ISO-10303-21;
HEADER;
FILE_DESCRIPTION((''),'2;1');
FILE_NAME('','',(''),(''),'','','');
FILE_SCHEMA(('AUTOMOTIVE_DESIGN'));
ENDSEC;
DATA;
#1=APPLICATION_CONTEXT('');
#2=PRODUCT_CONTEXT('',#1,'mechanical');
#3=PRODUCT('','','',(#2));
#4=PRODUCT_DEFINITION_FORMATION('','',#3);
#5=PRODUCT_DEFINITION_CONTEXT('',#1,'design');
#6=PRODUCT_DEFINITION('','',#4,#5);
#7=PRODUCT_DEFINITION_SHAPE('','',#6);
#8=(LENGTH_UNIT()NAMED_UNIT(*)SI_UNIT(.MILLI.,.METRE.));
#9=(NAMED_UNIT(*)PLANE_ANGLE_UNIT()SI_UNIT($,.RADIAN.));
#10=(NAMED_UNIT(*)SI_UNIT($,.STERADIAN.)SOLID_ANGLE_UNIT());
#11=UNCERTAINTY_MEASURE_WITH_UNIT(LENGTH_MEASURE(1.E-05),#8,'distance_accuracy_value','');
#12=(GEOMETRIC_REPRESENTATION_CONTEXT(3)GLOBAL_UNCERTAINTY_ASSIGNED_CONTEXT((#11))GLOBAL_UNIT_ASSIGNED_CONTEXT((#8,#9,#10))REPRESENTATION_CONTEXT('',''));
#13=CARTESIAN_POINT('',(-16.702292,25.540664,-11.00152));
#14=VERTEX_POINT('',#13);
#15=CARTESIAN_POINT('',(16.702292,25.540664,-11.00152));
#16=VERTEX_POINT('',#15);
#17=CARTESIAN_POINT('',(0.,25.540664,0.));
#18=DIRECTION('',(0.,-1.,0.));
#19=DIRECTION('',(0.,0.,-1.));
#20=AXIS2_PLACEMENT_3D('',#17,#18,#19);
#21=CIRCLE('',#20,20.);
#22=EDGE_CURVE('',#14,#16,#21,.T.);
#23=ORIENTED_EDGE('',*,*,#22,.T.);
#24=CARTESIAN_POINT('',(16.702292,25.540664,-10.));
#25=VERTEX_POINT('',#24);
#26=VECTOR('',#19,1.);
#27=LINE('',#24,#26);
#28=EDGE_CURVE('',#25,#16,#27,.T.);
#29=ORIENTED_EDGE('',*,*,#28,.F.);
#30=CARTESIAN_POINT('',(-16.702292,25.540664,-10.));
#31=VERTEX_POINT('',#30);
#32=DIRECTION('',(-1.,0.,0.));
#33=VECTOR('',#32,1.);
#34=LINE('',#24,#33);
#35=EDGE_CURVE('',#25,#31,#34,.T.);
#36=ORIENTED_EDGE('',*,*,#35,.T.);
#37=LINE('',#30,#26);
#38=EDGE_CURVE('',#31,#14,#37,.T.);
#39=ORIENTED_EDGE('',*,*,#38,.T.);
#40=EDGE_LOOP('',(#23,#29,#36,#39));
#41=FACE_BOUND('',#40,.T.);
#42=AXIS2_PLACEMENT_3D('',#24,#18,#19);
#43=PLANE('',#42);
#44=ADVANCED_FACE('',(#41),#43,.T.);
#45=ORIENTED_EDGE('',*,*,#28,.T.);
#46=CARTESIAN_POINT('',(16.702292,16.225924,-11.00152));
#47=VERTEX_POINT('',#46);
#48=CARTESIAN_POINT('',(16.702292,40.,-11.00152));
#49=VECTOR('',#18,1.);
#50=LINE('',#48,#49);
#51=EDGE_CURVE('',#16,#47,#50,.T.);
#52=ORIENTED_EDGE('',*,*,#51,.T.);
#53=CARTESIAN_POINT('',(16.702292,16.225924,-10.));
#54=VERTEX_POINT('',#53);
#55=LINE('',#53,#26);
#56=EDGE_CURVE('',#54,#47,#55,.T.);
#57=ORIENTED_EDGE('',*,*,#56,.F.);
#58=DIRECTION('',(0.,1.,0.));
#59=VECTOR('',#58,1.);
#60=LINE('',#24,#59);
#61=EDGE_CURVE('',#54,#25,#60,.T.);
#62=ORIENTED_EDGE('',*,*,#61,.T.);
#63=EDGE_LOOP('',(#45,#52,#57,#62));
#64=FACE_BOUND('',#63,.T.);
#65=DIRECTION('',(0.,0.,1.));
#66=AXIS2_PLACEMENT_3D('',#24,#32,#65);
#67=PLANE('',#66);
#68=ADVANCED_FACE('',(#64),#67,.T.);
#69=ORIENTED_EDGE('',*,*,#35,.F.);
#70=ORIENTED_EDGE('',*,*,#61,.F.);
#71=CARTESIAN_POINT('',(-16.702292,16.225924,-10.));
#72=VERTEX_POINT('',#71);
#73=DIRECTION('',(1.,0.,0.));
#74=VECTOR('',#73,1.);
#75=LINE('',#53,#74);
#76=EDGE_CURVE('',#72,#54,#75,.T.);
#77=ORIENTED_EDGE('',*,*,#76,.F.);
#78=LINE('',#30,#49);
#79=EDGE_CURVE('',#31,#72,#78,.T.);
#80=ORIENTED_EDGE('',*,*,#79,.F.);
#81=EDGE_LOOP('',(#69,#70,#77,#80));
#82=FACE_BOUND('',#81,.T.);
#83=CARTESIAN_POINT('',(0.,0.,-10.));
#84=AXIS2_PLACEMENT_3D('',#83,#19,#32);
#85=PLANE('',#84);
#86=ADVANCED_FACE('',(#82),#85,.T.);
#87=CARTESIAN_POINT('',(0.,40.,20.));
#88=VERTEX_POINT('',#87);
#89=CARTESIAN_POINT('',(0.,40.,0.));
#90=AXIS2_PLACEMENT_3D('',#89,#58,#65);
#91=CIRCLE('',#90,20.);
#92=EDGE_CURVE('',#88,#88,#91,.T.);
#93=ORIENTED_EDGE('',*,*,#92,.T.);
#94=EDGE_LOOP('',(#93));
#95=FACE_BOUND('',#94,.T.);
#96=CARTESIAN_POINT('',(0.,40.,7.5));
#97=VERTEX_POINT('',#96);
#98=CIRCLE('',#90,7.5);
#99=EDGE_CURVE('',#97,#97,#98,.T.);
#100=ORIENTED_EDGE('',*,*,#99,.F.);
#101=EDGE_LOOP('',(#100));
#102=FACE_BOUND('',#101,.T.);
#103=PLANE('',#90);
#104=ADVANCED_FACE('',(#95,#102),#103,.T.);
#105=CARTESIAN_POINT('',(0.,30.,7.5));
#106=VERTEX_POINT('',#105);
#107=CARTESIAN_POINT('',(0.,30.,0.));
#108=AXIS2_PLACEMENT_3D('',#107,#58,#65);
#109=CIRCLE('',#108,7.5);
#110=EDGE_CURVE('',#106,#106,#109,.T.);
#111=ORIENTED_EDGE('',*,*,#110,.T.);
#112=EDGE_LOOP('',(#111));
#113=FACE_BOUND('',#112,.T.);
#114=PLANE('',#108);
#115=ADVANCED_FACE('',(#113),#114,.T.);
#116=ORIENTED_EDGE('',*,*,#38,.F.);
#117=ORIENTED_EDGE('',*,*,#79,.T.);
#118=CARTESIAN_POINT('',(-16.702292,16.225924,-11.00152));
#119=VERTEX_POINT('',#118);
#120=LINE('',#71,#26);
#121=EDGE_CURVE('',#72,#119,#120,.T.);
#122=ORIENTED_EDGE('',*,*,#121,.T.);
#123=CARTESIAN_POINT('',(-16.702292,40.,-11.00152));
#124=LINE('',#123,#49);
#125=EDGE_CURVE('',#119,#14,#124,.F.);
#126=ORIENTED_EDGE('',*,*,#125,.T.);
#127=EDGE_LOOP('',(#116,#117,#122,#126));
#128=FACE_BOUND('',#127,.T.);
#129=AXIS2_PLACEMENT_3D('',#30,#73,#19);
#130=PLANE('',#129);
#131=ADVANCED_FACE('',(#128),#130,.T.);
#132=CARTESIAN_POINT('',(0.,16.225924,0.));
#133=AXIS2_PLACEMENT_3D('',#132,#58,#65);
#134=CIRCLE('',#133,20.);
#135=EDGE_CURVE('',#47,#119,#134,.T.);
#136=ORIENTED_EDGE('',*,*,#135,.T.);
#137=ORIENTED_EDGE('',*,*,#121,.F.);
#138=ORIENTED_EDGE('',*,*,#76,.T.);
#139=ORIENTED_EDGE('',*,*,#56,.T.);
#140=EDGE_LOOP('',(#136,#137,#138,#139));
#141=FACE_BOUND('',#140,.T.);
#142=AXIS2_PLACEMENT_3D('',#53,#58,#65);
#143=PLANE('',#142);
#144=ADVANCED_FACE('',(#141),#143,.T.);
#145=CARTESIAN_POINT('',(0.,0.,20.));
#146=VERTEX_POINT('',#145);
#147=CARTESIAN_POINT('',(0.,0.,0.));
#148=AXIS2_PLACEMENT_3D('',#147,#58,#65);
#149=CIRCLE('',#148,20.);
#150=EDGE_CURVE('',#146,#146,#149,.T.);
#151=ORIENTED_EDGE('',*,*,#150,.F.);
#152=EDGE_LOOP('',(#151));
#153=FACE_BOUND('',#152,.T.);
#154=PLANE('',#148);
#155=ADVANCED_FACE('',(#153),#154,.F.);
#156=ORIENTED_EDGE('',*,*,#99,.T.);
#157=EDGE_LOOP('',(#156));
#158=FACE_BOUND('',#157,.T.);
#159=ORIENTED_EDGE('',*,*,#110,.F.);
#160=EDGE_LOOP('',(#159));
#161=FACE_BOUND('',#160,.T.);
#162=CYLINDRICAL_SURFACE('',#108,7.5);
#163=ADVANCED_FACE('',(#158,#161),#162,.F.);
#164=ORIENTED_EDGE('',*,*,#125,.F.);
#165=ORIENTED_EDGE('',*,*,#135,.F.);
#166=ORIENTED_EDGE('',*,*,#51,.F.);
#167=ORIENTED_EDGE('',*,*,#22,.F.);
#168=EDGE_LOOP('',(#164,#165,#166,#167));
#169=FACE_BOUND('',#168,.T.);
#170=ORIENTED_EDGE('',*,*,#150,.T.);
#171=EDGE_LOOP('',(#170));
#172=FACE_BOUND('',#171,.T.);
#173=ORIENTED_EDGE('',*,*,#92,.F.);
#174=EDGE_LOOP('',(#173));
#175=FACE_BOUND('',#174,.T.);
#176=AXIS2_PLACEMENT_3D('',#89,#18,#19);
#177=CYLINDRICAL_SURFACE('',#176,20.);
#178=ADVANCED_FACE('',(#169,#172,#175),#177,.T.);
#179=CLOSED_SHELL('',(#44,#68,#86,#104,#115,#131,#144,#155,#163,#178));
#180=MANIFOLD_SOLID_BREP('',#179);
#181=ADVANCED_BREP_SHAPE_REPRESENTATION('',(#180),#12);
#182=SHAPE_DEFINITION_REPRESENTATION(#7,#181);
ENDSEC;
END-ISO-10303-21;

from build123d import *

# Parameters (mm, degrees)
SKETCH1_R           = 20
BOSS_EXTRUDE1_DEPTH = 40
SKETCH2_R           = 7.5
CUT_EXTRUDE1_DEPTH  = 10
SKETCH3_W           = 33.40458463
SKETCH3_H           = 9.314739944
CUT_EXTRUDE2_DEPTH  = 10


with BuildPart() as part:
    # Sketch1 → Boss-Extrude1 (new body)
    with BuildSketch(Plane(origin=(0, 0, 0), x_dir=(1, 0, 0), z_dir=(0, 1, 0))):
        Circle(SKETCH1_R)
    extrude(amount=BOSS_EXTRUDE1_DEPTH)

    # Sketch2 → Cut-Extrude1 (cut)
    with BuildSketch(Plane(origin=(0, 40, 0), x_dir=(1, 0, 0), z_dir=(0, 1, 0))):
        Circle(SKETCH2_R)
    extrude(amount=-CUT_EXTRUDE1_DEPTH, mode=Mode.SUBTRACT)

    # Sketch3 → Cut-Extrude2 (cut)
    with BuildSketch(Plane.XY.offset(-20)):
        with Locations((0, 20.883294305)):
            Rectangle(SKETCH3_W, SKETCH3_H)
    extrude(amount=CUT_EXTRUDE2_DEPTH, mode=Mode.SUBTRACT)


solid = part.part
